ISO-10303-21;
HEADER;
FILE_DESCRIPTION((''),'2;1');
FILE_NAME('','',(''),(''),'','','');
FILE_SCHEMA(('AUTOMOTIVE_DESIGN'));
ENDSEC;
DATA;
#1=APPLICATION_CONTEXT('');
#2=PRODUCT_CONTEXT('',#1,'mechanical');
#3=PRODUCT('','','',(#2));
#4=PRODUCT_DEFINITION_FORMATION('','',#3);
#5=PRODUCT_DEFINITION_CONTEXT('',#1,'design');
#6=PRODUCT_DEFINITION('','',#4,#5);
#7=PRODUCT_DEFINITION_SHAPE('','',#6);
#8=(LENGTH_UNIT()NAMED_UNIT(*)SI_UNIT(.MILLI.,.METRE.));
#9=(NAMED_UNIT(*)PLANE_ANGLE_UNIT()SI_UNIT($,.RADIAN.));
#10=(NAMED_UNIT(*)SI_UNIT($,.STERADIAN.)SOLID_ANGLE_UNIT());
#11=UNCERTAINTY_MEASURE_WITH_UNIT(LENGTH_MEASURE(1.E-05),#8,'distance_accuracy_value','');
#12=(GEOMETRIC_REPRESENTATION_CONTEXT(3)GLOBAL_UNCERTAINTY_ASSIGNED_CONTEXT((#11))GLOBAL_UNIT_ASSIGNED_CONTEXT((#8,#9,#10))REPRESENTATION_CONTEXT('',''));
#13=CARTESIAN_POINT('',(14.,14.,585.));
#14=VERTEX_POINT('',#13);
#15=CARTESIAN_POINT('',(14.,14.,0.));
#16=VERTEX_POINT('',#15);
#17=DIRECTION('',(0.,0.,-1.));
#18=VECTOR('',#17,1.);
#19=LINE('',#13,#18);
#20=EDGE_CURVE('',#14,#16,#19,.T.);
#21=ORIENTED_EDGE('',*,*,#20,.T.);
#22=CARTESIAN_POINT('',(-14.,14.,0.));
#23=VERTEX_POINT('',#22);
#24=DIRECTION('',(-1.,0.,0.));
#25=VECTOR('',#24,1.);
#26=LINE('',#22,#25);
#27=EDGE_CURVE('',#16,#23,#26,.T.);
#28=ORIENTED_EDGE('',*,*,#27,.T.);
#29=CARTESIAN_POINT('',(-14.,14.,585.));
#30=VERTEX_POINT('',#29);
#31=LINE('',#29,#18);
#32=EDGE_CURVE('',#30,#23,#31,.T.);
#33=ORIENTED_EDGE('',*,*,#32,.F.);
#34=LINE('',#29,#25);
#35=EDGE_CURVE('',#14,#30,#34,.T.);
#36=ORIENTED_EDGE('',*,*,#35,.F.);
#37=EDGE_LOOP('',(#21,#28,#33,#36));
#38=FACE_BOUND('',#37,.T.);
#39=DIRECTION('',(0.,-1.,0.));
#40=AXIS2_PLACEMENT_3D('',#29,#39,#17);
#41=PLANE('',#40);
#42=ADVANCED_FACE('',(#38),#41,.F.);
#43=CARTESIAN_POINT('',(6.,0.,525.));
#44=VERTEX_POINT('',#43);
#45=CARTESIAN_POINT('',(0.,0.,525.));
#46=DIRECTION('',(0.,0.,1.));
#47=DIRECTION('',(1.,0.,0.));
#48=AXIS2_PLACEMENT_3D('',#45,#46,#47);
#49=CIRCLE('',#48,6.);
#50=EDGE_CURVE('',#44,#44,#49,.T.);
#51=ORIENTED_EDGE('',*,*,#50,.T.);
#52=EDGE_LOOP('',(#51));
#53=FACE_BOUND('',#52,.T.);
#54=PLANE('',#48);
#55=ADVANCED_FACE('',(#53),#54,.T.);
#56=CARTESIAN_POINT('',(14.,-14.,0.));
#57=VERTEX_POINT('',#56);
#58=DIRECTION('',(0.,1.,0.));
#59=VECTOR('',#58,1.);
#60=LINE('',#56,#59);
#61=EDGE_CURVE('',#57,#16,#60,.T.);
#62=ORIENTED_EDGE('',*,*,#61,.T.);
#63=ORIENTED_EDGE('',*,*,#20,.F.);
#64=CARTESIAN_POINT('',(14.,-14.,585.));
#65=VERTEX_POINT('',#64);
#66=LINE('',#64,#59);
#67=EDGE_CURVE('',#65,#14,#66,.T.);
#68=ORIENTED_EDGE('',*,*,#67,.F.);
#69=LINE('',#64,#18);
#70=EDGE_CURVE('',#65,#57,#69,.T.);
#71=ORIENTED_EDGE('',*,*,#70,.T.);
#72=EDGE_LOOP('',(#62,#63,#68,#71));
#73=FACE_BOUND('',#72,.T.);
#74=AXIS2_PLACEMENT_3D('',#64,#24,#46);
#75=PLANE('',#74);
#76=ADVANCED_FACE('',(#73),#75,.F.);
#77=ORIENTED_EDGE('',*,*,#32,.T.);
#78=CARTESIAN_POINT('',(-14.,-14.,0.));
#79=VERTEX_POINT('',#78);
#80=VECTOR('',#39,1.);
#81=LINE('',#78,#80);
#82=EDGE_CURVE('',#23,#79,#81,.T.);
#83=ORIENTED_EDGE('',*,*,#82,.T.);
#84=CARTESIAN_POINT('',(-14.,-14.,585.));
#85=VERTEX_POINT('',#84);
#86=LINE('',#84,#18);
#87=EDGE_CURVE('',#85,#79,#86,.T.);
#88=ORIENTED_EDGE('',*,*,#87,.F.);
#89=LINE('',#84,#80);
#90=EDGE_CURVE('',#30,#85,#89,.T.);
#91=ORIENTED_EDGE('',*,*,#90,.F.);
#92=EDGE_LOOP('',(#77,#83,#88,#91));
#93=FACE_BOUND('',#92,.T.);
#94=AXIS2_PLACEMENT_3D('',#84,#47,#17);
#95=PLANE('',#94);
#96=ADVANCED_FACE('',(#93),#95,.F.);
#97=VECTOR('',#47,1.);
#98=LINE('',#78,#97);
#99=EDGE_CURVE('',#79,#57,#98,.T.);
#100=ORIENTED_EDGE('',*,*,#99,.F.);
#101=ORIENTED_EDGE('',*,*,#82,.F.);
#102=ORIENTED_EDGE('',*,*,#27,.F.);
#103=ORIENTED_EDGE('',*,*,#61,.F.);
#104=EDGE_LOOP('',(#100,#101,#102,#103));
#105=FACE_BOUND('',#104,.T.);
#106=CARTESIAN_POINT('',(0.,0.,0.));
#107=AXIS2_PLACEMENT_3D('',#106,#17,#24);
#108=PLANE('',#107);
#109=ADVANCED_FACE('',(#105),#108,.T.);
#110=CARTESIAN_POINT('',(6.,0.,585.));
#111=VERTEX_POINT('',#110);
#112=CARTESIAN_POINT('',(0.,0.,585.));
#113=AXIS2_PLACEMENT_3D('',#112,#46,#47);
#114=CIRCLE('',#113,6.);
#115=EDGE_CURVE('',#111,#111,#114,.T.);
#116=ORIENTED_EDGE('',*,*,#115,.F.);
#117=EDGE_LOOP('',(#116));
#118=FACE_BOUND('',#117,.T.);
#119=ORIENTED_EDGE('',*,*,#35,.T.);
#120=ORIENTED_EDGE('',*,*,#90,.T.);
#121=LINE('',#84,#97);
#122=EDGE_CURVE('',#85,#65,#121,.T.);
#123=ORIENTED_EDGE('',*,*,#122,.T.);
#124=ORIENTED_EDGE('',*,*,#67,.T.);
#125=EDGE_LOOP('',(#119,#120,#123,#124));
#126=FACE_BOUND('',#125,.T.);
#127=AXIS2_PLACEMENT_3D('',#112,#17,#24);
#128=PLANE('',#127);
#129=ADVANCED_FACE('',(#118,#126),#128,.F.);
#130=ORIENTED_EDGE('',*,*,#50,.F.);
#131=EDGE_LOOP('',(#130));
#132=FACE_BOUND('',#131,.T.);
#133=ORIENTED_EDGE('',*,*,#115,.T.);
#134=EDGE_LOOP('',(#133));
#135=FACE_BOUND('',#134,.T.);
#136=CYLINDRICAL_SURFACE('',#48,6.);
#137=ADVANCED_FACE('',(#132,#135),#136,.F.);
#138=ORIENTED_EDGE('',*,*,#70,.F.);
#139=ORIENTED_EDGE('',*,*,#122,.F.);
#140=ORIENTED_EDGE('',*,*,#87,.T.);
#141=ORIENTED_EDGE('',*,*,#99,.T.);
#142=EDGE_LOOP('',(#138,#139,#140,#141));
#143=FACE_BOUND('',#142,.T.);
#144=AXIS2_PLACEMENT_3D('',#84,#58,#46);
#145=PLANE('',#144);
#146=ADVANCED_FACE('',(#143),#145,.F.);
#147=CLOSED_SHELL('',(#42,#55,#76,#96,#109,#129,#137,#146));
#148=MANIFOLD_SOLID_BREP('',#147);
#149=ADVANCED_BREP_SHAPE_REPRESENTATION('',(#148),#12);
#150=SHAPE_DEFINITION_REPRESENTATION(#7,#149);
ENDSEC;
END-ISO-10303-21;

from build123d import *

# Parameters (mm, degrees)
IZIM1_W                     = 28
IZIM1_H                     = 28
Y_KSEKLIK_EKSTR_ZYON1_DEPTH = 585
IZIM2_R                     = 6
KES_EKSTR_ZYON1_DEPTH       = 60


with BuildPart() as part:
    # Çizim1 → Yükseklik-Ekstrüzyon1 (new body)
    with BuildSketch(Plane.XY):
        Rectangle(IZIM1_W, IZIM1_H)
    extrude(amount=Y_KSEKLIK_EKSTR_ZYON1_DEPTH)

    # Çizim2 → Kes-Ekstrüzyon1 (cut)
    with BuildSketch(Plane.XY.offset(585)):
        Circle(IZIM2_R)
    extrude(amount=-KES_EKSTR_ZYON1_DEPTH, mode=Mode.SUBTRACT)


solid = part.part
